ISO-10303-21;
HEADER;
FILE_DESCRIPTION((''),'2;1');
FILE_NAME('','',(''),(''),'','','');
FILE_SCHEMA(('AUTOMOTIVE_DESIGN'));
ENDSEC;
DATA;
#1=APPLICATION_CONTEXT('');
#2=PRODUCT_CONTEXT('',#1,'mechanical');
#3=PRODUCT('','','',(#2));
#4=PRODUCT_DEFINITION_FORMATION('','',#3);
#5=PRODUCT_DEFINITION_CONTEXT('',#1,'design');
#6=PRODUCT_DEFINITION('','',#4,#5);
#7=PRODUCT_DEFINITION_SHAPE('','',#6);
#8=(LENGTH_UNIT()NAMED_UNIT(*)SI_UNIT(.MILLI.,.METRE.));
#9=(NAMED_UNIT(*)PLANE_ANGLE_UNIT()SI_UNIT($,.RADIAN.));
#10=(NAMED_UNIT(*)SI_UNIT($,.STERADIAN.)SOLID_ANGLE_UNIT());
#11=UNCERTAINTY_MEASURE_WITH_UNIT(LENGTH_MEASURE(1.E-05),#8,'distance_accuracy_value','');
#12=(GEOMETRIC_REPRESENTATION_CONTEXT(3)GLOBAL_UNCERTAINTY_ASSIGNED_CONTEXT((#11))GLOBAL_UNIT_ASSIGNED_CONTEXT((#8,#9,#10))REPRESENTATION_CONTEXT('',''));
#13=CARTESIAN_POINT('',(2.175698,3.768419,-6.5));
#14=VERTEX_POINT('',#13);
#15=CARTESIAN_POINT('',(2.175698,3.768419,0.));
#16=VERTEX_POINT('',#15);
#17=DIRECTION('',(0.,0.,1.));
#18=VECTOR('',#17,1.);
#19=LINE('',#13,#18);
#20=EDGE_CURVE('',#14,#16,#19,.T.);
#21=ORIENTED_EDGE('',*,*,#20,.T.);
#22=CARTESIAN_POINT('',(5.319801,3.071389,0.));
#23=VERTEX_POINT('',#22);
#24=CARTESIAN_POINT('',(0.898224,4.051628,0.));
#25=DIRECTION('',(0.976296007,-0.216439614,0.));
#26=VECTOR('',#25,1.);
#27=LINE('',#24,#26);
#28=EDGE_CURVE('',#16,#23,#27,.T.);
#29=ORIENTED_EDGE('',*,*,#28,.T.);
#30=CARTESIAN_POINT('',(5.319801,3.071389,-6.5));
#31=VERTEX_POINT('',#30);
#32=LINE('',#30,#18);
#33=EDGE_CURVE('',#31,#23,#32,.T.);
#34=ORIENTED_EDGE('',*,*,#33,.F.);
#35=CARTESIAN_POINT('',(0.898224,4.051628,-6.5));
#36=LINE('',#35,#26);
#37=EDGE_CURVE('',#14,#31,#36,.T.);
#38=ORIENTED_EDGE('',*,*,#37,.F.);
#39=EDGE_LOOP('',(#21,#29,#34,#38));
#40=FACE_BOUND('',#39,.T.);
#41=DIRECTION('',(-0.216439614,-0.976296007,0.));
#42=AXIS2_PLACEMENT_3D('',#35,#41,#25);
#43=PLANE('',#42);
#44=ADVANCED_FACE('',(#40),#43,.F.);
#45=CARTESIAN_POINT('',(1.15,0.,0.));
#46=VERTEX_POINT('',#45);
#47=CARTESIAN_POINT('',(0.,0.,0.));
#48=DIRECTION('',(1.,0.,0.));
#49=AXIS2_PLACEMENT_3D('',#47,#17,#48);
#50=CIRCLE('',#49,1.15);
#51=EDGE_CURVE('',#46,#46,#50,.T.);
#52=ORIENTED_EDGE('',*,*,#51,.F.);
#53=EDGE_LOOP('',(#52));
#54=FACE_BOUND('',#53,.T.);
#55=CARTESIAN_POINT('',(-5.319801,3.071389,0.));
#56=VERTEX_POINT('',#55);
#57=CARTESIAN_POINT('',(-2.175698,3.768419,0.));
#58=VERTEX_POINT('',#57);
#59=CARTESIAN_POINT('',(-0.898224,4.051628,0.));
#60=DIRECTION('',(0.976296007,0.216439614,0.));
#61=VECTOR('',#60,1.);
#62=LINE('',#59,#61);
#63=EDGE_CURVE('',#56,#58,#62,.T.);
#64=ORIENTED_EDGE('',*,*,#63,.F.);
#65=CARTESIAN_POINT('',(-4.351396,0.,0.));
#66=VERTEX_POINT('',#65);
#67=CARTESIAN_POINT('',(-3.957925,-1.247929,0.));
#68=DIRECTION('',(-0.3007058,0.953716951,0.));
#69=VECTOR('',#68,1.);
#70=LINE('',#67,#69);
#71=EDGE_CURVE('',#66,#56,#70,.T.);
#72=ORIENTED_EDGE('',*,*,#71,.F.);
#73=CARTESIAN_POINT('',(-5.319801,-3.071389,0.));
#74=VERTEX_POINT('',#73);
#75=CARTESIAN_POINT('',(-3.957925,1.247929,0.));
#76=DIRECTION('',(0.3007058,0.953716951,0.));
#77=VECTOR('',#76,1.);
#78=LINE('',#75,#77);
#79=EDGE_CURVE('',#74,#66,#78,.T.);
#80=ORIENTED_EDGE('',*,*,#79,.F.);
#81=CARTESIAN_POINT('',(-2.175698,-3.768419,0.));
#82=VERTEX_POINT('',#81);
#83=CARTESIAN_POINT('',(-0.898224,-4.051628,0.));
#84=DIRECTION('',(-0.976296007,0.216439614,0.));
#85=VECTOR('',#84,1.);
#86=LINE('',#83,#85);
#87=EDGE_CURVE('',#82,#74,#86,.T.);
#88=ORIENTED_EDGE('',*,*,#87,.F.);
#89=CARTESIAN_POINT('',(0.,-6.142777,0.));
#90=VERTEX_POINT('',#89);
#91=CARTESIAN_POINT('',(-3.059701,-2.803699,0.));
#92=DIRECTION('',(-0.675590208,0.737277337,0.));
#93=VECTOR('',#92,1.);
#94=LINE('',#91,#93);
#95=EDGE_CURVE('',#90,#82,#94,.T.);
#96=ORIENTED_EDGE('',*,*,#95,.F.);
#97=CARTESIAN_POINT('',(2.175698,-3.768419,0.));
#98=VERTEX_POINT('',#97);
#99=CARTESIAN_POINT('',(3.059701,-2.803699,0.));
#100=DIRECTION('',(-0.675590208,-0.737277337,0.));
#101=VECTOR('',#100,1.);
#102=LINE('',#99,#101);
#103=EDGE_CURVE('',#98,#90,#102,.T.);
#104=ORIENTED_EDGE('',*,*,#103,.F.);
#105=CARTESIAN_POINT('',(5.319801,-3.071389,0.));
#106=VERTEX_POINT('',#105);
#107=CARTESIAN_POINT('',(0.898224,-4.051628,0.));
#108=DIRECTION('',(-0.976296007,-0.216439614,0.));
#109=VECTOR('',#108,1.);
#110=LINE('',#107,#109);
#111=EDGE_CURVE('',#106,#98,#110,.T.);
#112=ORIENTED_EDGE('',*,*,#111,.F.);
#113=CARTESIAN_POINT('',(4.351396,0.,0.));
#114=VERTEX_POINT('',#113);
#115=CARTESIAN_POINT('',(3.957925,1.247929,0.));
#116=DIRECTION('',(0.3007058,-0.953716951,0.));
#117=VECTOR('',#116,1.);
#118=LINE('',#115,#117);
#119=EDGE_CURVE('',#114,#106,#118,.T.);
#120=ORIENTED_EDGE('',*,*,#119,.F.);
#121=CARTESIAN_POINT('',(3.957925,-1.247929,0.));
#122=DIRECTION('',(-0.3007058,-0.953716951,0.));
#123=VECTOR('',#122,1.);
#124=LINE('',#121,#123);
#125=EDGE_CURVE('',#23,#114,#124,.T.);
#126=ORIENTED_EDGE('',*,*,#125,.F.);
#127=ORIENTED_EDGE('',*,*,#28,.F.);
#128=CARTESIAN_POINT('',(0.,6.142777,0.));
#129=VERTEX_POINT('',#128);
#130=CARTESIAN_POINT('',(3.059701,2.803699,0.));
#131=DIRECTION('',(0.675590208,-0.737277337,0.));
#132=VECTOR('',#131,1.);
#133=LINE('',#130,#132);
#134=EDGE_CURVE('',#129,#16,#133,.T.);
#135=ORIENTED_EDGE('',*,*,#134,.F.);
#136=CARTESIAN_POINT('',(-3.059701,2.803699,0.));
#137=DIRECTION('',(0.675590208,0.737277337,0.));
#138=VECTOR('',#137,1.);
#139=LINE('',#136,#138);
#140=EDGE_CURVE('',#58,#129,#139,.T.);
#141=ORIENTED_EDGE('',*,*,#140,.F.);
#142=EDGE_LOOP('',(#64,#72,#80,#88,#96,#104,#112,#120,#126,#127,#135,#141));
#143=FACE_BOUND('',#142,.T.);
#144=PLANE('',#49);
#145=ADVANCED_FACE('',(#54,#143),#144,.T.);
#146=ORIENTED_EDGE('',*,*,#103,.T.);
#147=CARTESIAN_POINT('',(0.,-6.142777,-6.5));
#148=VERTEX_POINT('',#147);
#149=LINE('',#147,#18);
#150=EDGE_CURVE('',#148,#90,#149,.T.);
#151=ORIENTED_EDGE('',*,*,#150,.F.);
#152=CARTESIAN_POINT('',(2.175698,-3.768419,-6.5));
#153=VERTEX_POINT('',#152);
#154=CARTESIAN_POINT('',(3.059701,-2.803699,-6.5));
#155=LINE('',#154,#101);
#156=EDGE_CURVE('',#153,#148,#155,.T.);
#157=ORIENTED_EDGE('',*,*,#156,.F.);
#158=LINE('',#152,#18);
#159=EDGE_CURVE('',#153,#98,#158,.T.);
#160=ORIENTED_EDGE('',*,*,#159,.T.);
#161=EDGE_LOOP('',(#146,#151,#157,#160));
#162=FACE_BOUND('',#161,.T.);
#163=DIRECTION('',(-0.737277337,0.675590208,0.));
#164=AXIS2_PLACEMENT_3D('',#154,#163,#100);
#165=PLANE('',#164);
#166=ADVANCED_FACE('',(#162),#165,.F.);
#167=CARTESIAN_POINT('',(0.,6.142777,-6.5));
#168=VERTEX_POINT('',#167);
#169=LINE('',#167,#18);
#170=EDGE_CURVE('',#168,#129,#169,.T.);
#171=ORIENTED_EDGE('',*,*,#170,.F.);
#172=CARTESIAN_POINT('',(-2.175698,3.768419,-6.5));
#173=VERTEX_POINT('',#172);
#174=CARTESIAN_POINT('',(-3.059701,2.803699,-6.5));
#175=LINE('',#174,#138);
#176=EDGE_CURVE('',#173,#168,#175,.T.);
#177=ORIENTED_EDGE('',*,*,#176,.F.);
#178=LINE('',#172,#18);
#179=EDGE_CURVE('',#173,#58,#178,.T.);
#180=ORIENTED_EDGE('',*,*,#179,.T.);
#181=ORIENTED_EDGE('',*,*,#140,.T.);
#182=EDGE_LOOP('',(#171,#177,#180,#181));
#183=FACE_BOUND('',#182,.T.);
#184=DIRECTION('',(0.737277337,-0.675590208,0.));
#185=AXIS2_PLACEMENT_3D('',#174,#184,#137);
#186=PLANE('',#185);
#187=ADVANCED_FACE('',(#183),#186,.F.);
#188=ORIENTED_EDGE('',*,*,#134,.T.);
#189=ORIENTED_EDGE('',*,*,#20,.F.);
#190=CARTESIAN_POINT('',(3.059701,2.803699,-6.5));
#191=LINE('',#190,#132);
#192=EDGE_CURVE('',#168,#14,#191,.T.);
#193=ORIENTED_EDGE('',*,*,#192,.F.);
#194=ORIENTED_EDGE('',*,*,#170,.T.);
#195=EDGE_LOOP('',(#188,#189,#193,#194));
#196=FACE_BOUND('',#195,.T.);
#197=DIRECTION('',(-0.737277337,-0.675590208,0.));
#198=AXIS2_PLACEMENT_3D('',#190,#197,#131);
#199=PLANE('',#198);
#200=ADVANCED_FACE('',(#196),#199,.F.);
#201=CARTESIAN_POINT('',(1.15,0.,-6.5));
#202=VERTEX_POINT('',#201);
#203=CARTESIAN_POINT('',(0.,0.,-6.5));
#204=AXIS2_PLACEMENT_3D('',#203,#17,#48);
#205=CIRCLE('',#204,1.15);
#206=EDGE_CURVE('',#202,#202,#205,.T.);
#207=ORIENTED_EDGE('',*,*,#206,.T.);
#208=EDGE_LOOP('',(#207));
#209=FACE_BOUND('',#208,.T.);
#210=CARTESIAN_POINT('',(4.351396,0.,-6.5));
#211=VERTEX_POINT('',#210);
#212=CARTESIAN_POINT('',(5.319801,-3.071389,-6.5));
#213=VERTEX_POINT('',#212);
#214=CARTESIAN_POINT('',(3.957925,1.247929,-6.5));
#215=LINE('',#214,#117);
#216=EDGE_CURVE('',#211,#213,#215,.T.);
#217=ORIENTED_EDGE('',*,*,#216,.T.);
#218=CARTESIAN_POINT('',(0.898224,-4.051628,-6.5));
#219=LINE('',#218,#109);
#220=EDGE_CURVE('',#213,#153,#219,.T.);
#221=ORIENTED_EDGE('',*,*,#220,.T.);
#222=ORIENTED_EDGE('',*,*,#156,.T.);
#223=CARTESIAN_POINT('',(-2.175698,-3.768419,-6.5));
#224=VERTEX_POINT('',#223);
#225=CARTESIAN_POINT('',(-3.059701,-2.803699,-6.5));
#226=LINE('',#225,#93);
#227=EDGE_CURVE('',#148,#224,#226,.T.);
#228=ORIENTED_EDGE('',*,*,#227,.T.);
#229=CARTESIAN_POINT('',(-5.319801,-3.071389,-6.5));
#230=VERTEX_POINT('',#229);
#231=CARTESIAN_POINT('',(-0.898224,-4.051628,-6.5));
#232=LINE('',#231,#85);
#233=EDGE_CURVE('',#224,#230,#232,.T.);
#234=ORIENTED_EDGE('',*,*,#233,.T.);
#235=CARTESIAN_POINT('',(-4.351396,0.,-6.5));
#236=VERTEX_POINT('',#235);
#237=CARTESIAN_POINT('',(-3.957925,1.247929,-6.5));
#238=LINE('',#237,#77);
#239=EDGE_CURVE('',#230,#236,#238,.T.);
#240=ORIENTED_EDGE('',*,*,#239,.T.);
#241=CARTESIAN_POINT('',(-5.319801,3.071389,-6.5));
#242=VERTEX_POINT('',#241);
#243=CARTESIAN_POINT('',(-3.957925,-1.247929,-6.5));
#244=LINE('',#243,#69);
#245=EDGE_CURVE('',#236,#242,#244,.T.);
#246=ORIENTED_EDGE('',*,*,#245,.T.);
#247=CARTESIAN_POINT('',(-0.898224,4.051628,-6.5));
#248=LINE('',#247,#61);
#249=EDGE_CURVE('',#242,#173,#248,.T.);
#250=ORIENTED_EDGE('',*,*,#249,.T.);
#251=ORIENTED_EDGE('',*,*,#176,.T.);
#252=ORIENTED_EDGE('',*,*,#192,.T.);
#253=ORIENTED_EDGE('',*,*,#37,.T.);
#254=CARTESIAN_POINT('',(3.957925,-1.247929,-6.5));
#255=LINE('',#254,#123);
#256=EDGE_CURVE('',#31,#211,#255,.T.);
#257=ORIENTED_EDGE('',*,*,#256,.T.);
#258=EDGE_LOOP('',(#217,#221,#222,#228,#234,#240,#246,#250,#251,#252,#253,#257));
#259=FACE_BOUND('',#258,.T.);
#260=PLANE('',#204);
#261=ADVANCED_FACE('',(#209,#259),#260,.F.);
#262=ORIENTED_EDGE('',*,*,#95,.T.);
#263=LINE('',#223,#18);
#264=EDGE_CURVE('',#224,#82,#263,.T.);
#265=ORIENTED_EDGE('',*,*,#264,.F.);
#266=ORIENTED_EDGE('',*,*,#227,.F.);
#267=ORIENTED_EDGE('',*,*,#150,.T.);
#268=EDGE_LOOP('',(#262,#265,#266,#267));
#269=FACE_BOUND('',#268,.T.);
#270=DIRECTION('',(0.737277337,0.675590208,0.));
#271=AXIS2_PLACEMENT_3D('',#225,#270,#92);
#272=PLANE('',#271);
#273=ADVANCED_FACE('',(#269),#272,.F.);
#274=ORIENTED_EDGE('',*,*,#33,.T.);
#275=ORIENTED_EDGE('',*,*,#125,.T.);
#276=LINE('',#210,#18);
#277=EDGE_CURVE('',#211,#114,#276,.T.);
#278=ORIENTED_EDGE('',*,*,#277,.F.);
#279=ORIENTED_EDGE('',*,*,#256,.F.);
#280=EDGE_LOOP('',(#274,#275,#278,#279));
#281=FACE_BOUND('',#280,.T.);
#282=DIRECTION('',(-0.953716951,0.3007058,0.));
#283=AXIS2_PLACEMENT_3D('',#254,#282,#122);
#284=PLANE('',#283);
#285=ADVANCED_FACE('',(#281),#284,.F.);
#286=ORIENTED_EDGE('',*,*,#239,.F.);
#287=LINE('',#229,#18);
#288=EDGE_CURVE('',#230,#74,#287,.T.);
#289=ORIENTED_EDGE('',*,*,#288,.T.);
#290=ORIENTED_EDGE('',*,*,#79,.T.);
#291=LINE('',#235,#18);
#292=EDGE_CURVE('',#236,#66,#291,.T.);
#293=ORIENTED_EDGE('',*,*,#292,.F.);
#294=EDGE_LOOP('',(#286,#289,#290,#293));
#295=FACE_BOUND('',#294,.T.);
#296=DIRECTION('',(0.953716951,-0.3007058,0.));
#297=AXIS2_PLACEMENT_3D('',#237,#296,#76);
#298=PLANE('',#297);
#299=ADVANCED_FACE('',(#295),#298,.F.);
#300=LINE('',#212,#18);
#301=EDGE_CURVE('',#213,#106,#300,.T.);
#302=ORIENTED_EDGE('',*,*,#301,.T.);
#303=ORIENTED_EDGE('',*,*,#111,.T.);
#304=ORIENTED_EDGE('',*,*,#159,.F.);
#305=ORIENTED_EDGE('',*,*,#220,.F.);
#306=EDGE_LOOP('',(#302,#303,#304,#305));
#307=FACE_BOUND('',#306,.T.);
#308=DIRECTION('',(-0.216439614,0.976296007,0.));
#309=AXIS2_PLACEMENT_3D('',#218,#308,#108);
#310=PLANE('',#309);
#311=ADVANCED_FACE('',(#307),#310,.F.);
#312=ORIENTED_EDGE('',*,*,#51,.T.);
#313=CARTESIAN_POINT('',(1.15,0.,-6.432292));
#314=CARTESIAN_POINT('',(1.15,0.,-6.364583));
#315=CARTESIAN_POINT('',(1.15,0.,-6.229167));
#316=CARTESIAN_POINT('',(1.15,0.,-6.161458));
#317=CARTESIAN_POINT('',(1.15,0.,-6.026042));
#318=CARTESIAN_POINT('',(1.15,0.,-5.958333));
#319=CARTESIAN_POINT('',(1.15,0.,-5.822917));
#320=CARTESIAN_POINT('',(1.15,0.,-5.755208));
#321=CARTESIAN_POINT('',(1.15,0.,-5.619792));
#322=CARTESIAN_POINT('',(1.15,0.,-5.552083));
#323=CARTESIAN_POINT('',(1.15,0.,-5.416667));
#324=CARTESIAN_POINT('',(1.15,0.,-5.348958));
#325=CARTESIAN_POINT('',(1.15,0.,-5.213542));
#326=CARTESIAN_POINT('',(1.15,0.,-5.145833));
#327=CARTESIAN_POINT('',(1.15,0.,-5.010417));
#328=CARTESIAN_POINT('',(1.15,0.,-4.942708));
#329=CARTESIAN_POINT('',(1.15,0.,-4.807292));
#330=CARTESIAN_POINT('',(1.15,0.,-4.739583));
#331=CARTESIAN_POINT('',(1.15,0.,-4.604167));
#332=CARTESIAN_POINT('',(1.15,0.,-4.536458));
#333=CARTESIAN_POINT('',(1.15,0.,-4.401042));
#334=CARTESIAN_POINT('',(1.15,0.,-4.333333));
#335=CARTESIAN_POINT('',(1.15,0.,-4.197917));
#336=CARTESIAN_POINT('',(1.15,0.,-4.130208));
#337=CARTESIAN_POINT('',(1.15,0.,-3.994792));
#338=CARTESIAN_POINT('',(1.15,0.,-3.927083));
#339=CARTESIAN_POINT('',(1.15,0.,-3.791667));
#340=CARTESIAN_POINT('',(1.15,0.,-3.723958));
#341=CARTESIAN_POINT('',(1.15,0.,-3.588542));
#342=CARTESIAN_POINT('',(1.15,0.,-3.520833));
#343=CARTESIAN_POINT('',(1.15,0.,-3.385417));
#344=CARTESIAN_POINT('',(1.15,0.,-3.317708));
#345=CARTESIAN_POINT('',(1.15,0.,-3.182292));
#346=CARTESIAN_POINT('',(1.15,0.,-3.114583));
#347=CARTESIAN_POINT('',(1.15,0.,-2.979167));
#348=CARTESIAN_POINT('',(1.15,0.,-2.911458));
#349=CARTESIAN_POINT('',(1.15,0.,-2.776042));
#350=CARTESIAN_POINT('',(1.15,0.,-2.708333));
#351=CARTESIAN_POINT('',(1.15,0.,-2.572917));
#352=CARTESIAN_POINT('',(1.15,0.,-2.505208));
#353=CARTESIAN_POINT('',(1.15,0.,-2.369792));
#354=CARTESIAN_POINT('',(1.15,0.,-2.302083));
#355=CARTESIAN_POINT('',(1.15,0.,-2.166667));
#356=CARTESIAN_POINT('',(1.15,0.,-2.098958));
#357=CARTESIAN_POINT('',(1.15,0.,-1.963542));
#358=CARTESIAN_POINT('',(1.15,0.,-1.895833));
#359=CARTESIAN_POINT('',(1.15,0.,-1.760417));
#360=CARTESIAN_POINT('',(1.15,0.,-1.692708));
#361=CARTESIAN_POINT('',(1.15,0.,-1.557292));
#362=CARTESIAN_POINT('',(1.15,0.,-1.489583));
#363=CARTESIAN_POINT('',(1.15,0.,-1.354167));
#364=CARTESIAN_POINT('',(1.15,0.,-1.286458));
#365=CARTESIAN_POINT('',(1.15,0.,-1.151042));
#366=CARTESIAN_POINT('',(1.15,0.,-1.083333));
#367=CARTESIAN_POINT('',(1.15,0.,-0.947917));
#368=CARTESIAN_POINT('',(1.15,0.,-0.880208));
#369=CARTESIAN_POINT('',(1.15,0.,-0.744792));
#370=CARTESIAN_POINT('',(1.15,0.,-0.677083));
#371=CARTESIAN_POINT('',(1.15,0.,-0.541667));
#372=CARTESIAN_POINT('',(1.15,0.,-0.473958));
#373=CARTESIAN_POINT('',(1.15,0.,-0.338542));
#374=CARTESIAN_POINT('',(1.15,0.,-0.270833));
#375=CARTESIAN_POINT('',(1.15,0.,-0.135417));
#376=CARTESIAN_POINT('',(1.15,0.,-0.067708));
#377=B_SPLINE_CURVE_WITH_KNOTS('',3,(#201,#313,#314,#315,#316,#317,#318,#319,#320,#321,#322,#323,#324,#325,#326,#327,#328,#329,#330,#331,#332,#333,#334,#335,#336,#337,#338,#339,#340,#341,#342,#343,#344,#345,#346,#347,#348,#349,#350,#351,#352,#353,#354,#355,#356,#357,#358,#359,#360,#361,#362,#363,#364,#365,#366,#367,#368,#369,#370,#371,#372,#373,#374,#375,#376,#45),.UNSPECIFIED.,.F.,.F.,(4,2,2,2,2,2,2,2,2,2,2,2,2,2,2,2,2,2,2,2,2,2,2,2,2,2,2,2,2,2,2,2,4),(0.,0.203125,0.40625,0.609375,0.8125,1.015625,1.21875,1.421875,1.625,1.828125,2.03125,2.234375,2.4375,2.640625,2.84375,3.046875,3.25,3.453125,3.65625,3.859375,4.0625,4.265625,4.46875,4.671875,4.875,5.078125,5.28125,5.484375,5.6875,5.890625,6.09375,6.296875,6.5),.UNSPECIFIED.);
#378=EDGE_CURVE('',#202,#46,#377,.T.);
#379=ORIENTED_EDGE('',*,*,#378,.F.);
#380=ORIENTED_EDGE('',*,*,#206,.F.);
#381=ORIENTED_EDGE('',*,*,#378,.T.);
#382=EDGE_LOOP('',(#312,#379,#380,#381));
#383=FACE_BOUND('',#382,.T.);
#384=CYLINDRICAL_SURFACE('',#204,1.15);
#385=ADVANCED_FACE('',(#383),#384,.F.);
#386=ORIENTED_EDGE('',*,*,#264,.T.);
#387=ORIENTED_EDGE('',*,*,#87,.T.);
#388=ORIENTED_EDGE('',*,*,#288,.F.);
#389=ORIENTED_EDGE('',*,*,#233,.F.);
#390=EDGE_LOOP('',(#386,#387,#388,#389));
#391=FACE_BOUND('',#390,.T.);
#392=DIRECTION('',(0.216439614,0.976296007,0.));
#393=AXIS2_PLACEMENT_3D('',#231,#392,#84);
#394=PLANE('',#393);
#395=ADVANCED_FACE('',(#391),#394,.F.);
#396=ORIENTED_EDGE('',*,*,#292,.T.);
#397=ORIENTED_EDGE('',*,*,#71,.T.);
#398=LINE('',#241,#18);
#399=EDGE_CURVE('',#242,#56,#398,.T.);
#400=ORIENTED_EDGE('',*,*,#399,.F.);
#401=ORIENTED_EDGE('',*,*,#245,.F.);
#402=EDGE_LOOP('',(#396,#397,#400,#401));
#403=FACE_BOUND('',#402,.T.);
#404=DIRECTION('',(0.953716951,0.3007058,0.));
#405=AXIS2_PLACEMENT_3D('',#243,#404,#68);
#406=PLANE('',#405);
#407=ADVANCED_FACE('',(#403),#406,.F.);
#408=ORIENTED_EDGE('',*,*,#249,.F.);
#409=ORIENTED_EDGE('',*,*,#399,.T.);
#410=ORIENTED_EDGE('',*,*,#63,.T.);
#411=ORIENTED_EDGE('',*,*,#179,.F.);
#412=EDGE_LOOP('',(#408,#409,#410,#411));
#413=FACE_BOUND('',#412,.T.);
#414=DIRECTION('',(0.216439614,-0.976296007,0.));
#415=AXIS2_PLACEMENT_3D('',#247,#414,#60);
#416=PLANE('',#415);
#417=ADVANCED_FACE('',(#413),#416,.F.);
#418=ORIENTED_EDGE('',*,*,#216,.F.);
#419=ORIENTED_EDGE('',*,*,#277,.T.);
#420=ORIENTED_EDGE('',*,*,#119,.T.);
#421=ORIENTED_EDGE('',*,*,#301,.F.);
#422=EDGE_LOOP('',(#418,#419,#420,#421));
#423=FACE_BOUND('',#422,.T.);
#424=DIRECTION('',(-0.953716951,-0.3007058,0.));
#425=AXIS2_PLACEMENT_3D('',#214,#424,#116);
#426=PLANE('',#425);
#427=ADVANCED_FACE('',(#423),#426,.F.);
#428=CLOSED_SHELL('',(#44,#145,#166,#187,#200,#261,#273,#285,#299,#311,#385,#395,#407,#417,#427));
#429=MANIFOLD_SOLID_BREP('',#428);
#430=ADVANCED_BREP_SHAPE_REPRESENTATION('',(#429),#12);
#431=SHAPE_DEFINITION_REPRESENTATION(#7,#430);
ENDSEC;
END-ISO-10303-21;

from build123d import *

# Parameters (mm, degrees)
SKETCH1_R           = 1.15
BOSS_EXTRUDE1_DEPTH = 6.5


with BuildPart() as part:
    # Sketch1 → Boss-Extrude1 (new body)
    with BuildSketch(Plane.XY):
        Polygon((0, -6.142777017), (2.175697935, -3.768419365), (5.319800946, -3.071388508), (4.351395869, 0), (5.319800946, 3.071388508), (2.175697935, 3.768419365), (0, 6.142777017), (-2.175697935, 3.768419365), (-5.319800946, 3.071388508), (-4.351395869, 0), (-5.319800946, -3.071388508), (-2.175697935, -3.768419365), align=None)
        Circle(SKETCH1_R, mode=Mode.SUBTRACT)
    extrude(amount=-BOSS_EXTRUDE1_DEPTH)


solid = part.part
